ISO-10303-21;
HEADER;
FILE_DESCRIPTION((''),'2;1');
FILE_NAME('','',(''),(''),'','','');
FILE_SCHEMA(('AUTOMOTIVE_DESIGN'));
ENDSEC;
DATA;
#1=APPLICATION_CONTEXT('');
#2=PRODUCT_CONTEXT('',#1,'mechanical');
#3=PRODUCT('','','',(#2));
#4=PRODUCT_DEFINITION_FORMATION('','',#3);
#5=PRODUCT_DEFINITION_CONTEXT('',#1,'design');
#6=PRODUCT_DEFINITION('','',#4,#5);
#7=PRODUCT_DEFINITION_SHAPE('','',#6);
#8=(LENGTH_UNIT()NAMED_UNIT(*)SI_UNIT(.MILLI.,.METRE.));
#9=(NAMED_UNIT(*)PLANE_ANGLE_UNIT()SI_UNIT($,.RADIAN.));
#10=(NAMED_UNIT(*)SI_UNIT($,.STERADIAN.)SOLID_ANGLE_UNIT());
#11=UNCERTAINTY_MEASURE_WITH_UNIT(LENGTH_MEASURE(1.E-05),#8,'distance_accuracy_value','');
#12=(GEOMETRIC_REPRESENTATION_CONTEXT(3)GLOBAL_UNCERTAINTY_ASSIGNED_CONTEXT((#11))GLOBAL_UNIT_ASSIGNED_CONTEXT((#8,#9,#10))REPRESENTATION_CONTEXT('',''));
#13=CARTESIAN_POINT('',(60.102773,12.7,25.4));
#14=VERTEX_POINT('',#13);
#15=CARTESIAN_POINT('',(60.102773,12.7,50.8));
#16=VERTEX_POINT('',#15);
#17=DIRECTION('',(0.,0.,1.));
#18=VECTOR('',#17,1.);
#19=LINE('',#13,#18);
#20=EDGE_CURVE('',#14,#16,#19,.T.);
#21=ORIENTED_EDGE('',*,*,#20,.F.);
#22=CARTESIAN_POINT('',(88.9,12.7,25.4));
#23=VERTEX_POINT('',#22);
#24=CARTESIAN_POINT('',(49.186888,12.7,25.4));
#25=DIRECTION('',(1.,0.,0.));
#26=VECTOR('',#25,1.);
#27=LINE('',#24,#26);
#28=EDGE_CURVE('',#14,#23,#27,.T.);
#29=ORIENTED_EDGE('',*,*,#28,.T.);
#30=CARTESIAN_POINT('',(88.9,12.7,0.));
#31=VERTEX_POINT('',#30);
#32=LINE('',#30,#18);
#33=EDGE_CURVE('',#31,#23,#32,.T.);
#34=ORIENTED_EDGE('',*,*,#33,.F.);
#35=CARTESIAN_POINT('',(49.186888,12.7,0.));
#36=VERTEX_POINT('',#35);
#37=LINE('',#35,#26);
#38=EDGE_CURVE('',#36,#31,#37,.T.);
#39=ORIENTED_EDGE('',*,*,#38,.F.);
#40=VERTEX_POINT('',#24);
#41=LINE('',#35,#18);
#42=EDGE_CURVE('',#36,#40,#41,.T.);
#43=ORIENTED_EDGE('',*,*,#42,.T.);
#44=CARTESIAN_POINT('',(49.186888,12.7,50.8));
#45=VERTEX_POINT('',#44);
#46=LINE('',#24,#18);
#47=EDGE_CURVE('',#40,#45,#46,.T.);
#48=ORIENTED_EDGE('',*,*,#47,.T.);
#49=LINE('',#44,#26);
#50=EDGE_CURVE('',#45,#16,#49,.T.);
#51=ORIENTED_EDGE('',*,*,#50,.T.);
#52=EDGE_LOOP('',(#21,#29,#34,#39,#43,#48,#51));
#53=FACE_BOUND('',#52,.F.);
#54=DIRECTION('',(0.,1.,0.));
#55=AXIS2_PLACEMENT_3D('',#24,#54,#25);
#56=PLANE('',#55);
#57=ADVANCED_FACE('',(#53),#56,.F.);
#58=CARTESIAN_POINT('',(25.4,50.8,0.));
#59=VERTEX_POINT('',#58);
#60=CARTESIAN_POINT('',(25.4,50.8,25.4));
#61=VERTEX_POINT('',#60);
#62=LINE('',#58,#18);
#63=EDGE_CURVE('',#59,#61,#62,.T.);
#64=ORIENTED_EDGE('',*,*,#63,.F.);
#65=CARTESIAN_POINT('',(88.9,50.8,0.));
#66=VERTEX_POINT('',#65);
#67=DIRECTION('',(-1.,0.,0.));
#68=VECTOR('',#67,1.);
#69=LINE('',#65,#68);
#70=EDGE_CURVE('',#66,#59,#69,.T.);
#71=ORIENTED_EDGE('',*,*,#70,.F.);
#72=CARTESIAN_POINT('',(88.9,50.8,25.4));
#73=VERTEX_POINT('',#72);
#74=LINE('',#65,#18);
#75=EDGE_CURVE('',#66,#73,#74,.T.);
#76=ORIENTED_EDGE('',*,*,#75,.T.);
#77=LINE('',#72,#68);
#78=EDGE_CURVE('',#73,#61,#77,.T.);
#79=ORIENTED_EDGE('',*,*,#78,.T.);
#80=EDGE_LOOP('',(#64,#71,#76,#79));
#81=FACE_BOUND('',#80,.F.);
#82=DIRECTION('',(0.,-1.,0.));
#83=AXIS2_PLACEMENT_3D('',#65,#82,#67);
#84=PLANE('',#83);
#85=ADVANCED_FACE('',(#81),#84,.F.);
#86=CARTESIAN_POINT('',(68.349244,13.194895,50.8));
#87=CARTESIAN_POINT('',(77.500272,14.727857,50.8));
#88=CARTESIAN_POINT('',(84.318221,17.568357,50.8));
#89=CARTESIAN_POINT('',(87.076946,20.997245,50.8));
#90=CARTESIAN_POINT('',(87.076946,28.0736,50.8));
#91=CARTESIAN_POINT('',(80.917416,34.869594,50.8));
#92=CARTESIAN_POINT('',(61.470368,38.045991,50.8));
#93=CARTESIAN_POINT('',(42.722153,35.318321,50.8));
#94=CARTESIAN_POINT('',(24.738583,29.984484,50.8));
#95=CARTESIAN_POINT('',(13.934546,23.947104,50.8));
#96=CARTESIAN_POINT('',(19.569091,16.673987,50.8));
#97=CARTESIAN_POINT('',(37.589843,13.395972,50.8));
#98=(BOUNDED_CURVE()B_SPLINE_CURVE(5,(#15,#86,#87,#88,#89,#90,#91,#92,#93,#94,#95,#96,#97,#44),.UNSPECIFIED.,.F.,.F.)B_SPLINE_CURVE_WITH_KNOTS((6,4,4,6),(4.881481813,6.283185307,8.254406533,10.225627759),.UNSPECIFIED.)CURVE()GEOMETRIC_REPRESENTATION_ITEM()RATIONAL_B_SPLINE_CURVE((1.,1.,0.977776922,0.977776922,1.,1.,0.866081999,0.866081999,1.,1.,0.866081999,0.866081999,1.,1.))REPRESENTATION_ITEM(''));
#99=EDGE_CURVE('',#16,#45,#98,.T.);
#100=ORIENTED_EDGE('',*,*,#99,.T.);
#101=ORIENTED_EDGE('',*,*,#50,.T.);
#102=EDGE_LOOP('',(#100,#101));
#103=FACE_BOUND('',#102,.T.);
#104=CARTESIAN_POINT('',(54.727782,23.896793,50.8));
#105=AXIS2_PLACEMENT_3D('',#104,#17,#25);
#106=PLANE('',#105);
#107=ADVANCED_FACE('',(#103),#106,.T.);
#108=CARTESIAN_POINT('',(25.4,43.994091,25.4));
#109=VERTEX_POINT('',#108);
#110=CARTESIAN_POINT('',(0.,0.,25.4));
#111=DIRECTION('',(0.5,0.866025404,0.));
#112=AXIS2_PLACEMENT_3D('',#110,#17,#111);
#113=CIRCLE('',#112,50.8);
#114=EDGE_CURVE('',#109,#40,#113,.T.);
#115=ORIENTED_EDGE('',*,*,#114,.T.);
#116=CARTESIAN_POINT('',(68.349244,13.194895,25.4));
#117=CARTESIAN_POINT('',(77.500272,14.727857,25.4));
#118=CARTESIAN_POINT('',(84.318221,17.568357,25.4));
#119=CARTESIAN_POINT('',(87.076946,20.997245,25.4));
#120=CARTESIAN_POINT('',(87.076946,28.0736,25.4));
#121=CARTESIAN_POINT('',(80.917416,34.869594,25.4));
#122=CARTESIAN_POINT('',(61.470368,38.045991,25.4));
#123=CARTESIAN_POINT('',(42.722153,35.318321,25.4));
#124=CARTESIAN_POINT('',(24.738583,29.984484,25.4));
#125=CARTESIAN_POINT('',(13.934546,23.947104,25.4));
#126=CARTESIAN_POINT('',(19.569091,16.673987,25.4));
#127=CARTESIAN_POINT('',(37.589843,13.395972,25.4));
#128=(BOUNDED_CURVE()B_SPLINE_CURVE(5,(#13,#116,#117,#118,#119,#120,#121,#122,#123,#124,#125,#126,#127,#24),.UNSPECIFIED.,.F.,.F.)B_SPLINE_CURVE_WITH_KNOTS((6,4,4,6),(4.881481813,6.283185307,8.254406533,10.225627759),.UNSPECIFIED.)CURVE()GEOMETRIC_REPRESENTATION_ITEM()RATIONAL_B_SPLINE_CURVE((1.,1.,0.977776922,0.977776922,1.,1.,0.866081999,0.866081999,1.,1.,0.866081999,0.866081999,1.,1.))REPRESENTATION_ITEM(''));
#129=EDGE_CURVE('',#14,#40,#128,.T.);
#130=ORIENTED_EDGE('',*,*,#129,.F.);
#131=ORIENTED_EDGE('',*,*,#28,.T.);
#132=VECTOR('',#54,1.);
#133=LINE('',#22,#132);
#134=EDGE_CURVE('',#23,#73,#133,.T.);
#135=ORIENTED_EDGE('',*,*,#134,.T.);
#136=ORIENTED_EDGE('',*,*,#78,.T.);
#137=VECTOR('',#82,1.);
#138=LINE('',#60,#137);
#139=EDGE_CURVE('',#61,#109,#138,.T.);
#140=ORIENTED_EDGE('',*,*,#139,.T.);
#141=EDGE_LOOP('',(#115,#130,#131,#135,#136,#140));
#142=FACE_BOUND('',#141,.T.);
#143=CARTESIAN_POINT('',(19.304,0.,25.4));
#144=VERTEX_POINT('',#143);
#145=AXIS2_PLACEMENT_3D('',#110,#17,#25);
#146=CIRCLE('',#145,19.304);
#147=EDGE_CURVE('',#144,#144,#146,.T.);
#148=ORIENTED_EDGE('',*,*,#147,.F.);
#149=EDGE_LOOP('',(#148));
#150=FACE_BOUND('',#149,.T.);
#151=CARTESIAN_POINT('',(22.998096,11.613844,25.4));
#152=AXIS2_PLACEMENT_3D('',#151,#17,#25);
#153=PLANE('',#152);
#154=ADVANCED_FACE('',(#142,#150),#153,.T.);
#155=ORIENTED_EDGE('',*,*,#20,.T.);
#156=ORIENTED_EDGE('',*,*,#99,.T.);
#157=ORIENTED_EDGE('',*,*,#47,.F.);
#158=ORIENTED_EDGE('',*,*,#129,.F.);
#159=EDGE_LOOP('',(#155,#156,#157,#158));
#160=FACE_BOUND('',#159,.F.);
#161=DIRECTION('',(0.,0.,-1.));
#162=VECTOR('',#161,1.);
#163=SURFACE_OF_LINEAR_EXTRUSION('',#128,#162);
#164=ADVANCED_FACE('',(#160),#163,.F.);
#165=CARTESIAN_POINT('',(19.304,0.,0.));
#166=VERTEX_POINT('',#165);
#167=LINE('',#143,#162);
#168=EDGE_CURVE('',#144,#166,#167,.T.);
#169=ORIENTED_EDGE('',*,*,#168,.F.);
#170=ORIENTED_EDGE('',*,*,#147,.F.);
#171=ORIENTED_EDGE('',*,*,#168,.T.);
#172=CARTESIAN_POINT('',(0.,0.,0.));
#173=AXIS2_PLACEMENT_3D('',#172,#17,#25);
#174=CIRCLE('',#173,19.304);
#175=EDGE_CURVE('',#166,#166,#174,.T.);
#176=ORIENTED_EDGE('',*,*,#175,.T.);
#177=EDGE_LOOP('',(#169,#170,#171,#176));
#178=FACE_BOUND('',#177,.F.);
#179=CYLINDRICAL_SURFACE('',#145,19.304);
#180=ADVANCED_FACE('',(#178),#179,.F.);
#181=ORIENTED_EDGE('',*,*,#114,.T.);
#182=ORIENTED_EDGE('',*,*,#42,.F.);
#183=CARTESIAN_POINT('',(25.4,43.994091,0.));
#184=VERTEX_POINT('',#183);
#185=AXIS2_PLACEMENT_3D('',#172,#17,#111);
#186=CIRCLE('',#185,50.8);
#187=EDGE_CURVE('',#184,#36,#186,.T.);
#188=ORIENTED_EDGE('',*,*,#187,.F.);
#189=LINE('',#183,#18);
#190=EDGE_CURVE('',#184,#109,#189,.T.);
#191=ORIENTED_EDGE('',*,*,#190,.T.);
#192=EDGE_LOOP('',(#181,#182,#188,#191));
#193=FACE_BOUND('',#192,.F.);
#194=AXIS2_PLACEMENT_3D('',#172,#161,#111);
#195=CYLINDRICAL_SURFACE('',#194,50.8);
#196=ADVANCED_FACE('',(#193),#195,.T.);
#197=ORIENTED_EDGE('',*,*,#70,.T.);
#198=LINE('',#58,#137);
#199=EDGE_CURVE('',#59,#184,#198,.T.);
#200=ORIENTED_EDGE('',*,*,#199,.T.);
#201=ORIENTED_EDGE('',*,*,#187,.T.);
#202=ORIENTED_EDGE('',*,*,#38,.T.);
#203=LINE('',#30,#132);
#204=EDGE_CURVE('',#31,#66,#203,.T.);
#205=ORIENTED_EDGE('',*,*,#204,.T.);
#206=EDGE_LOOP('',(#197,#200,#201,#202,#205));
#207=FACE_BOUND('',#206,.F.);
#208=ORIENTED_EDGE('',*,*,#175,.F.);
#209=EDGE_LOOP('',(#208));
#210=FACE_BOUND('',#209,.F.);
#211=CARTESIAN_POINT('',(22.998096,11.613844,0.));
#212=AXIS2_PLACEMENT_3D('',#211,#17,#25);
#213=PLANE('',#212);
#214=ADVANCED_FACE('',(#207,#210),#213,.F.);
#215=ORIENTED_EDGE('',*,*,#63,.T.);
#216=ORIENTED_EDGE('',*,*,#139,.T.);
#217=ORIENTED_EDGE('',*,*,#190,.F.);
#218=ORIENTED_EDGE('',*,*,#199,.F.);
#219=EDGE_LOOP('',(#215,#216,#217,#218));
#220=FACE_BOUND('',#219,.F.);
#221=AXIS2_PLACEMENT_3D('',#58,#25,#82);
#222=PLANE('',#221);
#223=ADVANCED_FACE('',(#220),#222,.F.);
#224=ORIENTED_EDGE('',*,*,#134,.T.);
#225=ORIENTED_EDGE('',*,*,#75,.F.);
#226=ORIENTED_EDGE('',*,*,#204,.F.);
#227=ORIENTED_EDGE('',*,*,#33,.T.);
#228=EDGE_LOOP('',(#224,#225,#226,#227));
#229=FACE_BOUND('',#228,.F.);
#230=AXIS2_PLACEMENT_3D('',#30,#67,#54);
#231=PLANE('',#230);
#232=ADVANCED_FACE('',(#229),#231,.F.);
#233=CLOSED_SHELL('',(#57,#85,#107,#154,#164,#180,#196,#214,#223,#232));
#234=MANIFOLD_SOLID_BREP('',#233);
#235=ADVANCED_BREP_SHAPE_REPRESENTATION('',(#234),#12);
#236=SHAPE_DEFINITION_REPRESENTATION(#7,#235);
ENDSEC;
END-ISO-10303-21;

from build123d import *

# Parameters (mm, degrees)
F1_DEPTH = 25.4
F2_R     = 19.304
F3_DEPTH = 25.4
F5_DEPTH = 25.4


with BuildPart() as f1:
    # F0 (on Top) → F1 (new body)
    with BuildSketch(Plane.XY):
        with BuildLine():
            Line((25.4, 50.8), (25.4, 43.9940905122))
            ThreePointArc((25.4, 43.9940905122), (-40.4429352194, -30.7409985336), (49.1868884968, 12.7))
            Line((49.1868884968, 12.7), (88.9, 12.7))
            Line((88.9, 12.7), (88.9, 50.8))
            Line((88.9, 50.8), (25.4, 50.8))
        make_face()
    extrude(amount=F1_DEPTH)

    # F2 (on face) → F3 (cut)
    with BuildSketch(Plane.XY.offset(25.4)):
        Circle(F2_R)
    extrude(amount=-F3_DEPTH, mode=Mode.SUBTRACT)

    # F4 (on face) → F5 (join)
    with BuildSketch(Plane.XY.offset(25.4)):
        with BuildLine():
            add(Edge.make_bspline(
                [(60.102772553, 12.7), (87.0769461658, 14.318798375), (87.0769461658, 23.9380020648)],
                knots=[4.8814818134, 4.8814818134, 4.8814818134, 6.2831853072, 6.2831853072, 6.2831853072], degree=2, weights=[1, 0.7642931995, 1]))
            add(Edge.make_bspline(
                [(87.0769461658, 23.9380020648), (87.0769461658, 48.4737315929), (33.7303676113, 32.6514025486), (-19.6162109432, 16.8290735043), (49.1868884968, 12.7)],
                knots=[0, 0, 0, 2.2716480737, 2.2716480737, 4.5432961473, 4.5432961473, 4.5432961473], degree=2, weights=[1, 0.4213852718, 1, 0.4213852718, 1]))
            Line((49.1868884968, 12.7), (60.102772553, 12.7))
        make_face()
    extrude(amount=F5_DEPTH)


solid = f1.part
